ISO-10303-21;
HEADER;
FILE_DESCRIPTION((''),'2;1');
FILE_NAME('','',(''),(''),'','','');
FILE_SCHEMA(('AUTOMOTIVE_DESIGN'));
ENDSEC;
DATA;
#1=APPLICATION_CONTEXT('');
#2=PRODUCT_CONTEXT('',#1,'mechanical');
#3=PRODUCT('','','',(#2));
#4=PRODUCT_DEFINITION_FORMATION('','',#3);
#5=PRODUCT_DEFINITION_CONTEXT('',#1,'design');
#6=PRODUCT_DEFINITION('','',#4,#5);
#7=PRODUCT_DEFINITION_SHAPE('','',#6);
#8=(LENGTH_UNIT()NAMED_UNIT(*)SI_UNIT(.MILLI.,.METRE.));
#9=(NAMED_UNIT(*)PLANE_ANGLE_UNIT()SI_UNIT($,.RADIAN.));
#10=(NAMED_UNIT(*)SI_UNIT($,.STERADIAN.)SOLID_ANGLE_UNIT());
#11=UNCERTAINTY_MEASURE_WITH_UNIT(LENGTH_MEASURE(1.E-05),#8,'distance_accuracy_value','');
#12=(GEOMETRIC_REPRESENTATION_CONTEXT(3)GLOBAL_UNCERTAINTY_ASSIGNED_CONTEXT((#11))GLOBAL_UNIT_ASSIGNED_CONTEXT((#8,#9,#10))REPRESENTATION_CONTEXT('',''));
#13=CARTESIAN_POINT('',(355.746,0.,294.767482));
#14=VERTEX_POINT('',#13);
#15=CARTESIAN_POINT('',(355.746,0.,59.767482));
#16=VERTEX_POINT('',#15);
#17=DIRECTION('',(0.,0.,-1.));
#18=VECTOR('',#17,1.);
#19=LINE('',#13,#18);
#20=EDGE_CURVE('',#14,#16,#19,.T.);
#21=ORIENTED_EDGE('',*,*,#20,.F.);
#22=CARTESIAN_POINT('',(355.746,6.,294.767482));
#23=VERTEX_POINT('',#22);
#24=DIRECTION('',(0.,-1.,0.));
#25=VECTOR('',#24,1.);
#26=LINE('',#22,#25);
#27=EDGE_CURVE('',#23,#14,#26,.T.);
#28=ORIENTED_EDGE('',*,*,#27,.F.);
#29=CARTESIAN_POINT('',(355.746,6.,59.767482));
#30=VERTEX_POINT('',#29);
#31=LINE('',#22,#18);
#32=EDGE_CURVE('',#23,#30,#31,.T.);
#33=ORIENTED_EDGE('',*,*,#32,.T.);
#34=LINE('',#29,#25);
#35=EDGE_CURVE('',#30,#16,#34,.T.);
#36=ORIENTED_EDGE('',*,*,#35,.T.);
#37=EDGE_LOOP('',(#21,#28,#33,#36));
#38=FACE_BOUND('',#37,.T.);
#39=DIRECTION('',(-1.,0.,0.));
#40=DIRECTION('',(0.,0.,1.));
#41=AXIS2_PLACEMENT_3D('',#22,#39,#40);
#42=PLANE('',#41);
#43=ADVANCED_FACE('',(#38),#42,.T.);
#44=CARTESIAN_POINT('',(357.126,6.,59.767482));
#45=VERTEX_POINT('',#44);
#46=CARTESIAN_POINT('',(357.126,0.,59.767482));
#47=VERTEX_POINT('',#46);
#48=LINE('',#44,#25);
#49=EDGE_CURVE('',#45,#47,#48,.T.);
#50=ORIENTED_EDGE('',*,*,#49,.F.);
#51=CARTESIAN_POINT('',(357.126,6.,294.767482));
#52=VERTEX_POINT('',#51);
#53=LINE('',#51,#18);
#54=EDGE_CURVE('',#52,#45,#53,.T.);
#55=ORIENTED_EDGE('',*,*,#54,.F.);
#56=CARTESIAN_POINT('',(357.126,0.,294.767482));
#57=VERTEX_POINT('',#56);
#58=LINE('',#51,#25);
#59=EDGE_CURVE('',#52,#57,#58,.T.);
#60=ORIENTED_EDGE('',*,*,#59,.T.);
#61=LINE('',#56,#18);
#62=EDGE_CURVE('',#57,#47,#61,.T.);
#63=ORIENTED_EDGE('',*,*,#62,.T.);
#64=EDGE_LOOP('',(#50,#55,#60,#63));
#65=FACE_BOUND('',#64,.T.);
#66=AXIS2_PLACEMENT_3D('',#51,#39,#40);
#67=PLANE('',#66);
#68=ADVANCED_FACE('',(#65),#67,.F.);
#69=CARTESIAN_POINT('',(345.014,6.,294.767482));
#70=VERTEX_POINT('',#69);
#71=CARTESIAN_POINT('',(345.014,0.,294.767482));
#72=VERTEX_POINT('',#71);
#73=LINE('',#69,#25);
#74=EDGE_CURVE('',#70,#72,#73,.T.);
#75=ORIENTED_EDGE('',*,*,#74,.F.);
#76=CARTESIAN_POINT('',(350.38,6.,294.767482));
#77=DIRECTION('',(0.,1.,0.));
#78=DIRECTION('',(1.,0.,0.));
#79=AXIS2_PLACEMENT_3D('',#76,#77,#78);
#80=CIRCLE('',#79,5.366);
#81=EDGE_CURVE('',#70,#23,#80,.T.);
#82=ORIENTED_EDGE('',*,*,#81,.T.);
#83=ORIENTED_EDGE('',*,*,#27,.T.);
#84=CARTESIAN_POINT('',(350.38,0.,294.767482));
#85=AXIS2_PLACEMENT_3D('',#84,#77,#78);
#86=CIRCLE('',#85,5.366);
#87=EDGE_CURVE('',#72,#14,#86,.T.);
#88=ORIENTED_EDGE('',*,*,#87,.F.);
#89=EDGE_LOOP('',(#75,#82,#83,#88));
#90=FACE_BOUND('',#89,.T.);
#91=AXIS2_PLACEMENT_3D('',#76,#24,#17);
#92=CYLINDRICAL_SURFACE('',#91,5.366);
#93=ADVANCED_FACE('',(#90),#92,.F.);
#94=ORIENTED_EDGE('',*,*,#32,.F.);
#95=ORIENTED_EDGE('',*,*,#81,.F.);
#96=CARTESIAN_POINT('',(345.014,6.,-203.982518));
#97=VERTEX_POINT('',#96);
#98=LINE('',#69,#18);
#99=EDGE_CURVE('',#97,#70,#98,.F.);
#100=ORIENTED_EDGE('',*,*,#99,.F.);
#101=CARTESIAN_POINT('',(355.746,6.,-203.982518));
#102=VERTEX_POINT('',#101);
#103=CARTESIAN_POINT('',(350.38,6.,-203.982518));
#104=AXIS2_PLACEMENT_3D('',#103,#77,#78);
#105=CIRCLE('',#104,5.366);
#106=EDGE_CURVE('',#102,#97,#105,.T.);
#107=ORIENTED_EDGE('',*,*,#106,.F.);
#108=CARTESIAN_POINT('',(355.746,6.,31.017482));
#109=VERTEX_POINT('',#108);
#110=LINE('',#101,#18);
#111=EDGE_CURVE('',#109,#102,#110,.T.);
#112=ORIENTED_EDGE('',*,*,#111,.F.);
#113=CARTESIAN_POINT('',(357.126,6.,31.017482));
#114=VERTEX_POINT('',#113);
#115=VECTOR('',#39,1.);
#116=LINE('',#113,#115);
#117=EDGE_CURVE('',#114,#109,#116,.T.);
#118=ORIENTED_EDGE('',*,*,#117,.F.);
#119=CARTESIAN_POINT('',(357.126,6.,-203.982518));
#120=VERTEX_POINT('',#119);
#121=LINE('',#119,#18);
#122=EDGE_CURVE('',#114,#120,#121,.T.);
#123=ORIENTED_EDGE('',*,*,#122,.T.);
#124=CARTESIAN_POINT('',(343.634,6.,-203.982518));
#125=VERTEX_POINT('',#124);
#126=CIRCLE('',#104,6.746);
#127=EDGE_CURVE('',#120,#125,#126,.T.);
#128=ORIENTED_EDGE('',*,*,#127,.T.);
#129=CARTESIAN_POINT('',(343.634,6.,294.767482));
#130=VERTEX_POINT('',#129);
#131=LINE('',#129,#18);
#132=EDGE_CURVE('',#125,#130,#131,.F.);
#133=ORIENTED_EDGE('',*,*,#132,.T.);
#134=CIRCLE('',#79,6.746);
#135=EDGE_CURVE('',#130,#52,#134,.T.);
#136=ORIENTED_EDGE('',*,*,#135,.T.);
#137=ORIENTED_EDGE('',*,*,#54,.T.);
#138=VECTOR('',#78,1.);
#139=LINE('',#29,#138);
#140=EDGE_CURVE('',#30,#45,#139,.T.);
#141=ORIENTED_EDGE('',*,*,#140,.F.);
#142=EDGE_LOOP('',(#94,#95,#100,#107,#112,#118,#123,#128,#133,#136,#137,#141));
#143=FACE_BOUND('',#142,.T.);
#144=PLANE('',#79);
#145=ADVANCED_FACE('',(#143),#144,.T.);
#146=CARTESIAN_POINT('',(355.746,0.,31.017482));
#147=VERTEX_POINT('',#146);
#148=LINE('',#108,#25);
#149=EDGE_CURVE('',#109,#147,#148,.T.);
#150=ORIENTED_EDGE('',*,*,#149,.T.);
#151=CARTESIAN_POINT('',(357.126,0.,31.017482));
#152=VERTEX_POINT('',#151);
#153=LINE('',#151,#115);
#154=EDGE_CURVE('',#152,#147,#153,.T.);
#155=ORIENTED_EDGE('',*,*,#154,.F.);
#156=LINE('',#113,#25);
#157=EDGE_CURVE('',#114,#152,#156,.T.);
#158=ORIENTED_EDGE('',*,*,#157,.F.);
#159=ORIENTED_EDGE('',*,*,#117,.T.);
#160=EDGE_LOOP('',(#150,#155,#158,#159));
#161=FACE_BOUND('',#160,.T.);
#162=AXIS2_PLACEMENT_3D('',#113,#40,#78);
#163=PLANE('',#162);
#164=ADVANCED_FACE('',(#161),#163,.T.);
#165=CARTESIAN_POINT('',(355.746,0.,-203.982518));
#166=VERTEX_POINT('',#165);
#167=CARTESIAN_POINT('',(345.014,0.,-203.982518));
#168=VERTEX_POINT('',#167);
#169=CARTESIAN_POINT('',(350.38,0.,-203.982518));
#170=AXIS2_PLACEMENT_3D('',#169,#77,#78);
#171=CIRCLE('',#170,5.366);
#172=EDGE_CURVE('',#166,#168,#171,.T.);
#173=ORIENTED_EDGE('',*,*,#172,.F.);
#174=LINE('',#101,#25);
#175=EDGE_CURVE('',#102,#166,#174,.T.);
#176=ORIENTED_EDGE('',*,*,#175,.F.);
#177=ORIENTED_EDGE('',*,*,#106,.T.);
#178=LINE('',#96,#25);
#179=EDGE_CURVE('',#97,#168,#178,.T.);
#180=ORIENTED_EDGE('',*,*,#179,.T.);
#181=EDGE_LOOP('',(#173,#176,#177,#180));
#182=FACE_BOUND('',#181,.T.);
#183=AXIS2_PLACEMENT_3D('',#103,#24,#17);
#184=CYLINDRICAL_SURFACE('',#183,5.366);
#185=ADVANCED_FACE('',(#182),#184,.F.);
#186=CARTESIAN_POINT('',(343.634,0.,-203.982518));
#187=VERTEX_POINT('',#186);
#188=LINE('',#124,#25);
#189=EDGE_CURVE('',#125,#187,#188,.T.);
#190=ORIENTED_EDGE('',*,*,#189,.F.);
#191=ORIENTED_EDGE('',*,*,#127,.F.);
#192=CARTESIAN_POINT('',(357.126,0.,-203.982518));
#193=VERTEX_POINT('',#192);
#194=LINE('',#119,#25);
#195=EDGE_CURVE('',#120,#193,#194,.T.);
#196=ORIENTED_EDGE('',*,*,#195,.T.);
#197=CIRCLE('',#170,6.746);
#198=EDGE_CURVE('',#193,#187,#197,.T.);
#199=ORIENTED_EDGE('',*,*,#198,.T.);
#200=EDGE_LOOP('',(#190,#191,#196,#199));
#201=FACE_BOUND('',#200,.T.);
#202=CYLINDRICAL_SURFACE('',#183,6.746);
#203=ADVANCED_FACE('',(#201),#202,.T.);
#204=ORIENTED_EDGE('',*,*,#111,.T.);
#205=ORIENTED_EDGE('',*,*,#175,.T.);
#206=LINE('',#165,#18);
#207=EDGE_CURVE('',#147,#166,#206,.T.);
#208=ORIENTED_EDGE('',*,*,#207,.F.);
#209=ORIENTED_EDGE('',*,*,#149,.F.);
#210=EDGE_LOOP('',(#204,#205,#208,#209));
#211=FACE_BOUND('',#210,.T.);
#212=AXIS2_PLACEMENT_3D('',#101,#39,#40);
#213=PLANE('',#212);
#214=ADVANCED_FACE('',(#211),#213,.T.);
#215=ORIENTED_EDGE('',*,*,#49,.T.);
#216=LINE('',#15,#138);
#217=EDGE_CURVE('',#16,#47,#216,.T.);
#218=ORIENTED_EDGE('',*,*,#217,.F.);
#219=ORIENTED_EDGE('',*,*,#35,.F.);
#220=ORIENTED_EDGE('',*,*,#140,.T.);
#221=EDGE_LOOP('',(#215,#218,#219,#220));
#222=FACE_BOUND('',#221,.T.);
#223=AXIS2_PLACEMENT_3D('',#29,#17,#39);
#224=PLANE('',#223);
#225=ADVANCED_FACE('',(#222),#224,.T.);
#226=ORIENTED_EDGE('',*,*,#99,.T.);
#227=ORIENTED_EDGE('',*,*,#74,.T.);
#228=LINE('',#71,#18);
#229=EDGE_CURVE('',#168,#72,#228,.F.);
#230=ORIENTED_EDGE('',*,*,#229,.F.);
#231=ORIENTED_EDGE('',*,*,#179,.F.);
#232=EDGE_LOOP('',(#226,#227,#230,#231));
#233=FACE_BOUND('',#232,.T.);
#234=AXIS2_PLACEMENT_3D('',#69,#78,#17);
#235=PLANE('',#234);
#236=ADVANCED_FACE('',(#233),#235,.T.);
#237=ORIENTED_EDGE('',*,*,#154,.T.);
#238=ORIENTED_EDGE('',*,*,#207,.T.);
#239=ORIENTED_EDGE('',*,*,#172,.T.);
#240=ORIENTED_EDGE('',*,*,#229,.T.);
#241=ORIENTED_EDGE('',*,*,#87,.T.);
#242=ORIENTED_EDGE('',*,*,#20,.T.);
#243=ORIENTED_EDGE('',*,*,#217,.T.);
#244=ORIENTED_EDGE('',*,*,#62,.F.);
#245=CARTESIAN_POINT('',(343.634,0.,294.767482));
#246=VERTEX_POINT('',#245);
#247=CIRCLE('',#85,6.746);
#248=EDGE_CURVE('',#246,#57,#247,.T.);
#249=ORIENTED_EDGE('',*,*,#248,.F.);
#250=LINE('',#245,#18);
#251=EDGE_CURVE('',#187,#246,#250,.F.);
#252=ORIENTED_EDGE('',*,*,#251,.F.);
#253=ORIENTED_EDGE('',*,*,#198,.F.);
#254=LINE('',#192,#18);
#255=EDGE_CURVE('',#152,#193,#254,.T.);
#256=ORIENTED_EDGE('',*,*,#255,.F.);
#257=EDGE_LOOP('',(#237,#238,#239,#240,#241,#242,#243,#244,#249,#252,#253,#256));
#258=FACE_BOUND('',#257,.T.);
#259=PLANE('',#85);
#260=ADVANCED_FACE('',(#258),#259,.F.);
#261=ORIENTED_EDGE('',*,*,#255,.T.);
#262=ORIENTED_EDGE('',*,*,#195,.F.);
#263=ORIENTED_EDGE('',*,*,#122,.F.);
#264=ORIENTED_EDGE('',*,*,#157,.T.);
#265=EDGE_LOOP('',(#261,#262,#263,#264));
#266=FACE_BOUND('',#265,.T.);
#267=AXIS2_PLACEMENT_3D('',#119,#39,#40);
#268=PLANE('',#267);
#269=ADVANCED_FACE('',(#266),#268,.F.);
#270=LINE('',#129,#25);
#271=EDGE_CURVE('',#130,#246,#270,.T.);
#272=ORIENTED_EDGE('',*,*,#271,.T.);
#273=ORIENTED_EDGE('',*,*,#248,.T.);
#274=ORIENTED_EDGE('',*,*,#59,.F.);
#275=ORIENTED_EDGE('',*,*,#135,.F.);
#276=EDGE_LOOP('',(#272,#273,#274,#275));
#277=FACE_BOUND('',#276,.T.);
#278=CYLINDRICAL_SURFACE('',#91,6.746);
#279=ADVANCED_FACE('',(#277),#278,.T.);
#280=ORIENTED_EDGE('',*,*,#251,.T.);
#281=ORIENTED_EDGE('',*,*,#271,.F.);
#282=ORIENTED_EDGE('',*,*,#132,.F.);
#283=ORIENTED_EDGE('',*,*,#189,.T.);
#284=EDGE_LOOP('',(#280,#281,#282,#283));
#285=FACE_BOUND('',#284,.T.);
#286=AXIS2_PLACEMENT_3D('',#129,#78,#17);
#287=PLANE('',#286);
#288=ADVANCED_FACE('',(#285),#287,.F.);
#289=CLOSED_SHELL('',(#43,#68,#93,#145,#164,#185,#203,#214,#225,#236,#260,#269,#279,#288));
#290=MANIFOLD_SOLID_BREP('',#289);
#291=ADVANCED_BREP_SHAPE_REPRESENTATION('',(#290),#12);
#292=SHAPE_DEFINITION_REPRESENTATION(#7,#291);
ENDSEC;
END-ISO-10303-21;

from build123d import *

# Parameters (mm, degrees)
EXTRUDE_THIN1_DEPTH = 6


with BuildPart() as part:
    # Sketch1 → Extrude-Thin1 (new body)
    with BuildSketch(Plane(origin=(0, 0, 0), x_dir=(1, 0, 0), z_dir=(0, 1, 0))):
        with BuildLine():
            Line((355.746, -59.767481844), (355.746, -294.767481844))
            ThreePointArc((355.746, -294.767481844), (350.38, -300.133481844), (345.014, -294.767481844))
            Line((345.014, -294.767481844), (345.014, 203.982518156))
            ThreePointArc((345.014, 203.982518156), (350.38, 209.348518156), (355.746, 203.982518156))
            Line((355.746, 203.982518156), (355.746, -31.017481844))
            Line((355.746, -31.017481844), (357.126, -31.017481844))
            Line((357.126, -31.017481844), (357.126, 203.982518156))
            ThreePointArc((357.126, 203.982518156), (350.38, 210.728518156), (343.634, 203.982518156))
            Line((343.634, 203.982518156), (343.634, -294.767481844))
            ThreePointArc((343.634, -294.767481844), (350.38, -301.513481844), (357.126, -294.767481844))
            Line((357.126, -294.767481844), (357.126, -59.767481844))
            Line((357.126, -59.767481844), (355.746, -59.767481844))
        make_face()
    extrude(amount=EXTRUDE_THIN1_DEPTH)


solid = part.part
